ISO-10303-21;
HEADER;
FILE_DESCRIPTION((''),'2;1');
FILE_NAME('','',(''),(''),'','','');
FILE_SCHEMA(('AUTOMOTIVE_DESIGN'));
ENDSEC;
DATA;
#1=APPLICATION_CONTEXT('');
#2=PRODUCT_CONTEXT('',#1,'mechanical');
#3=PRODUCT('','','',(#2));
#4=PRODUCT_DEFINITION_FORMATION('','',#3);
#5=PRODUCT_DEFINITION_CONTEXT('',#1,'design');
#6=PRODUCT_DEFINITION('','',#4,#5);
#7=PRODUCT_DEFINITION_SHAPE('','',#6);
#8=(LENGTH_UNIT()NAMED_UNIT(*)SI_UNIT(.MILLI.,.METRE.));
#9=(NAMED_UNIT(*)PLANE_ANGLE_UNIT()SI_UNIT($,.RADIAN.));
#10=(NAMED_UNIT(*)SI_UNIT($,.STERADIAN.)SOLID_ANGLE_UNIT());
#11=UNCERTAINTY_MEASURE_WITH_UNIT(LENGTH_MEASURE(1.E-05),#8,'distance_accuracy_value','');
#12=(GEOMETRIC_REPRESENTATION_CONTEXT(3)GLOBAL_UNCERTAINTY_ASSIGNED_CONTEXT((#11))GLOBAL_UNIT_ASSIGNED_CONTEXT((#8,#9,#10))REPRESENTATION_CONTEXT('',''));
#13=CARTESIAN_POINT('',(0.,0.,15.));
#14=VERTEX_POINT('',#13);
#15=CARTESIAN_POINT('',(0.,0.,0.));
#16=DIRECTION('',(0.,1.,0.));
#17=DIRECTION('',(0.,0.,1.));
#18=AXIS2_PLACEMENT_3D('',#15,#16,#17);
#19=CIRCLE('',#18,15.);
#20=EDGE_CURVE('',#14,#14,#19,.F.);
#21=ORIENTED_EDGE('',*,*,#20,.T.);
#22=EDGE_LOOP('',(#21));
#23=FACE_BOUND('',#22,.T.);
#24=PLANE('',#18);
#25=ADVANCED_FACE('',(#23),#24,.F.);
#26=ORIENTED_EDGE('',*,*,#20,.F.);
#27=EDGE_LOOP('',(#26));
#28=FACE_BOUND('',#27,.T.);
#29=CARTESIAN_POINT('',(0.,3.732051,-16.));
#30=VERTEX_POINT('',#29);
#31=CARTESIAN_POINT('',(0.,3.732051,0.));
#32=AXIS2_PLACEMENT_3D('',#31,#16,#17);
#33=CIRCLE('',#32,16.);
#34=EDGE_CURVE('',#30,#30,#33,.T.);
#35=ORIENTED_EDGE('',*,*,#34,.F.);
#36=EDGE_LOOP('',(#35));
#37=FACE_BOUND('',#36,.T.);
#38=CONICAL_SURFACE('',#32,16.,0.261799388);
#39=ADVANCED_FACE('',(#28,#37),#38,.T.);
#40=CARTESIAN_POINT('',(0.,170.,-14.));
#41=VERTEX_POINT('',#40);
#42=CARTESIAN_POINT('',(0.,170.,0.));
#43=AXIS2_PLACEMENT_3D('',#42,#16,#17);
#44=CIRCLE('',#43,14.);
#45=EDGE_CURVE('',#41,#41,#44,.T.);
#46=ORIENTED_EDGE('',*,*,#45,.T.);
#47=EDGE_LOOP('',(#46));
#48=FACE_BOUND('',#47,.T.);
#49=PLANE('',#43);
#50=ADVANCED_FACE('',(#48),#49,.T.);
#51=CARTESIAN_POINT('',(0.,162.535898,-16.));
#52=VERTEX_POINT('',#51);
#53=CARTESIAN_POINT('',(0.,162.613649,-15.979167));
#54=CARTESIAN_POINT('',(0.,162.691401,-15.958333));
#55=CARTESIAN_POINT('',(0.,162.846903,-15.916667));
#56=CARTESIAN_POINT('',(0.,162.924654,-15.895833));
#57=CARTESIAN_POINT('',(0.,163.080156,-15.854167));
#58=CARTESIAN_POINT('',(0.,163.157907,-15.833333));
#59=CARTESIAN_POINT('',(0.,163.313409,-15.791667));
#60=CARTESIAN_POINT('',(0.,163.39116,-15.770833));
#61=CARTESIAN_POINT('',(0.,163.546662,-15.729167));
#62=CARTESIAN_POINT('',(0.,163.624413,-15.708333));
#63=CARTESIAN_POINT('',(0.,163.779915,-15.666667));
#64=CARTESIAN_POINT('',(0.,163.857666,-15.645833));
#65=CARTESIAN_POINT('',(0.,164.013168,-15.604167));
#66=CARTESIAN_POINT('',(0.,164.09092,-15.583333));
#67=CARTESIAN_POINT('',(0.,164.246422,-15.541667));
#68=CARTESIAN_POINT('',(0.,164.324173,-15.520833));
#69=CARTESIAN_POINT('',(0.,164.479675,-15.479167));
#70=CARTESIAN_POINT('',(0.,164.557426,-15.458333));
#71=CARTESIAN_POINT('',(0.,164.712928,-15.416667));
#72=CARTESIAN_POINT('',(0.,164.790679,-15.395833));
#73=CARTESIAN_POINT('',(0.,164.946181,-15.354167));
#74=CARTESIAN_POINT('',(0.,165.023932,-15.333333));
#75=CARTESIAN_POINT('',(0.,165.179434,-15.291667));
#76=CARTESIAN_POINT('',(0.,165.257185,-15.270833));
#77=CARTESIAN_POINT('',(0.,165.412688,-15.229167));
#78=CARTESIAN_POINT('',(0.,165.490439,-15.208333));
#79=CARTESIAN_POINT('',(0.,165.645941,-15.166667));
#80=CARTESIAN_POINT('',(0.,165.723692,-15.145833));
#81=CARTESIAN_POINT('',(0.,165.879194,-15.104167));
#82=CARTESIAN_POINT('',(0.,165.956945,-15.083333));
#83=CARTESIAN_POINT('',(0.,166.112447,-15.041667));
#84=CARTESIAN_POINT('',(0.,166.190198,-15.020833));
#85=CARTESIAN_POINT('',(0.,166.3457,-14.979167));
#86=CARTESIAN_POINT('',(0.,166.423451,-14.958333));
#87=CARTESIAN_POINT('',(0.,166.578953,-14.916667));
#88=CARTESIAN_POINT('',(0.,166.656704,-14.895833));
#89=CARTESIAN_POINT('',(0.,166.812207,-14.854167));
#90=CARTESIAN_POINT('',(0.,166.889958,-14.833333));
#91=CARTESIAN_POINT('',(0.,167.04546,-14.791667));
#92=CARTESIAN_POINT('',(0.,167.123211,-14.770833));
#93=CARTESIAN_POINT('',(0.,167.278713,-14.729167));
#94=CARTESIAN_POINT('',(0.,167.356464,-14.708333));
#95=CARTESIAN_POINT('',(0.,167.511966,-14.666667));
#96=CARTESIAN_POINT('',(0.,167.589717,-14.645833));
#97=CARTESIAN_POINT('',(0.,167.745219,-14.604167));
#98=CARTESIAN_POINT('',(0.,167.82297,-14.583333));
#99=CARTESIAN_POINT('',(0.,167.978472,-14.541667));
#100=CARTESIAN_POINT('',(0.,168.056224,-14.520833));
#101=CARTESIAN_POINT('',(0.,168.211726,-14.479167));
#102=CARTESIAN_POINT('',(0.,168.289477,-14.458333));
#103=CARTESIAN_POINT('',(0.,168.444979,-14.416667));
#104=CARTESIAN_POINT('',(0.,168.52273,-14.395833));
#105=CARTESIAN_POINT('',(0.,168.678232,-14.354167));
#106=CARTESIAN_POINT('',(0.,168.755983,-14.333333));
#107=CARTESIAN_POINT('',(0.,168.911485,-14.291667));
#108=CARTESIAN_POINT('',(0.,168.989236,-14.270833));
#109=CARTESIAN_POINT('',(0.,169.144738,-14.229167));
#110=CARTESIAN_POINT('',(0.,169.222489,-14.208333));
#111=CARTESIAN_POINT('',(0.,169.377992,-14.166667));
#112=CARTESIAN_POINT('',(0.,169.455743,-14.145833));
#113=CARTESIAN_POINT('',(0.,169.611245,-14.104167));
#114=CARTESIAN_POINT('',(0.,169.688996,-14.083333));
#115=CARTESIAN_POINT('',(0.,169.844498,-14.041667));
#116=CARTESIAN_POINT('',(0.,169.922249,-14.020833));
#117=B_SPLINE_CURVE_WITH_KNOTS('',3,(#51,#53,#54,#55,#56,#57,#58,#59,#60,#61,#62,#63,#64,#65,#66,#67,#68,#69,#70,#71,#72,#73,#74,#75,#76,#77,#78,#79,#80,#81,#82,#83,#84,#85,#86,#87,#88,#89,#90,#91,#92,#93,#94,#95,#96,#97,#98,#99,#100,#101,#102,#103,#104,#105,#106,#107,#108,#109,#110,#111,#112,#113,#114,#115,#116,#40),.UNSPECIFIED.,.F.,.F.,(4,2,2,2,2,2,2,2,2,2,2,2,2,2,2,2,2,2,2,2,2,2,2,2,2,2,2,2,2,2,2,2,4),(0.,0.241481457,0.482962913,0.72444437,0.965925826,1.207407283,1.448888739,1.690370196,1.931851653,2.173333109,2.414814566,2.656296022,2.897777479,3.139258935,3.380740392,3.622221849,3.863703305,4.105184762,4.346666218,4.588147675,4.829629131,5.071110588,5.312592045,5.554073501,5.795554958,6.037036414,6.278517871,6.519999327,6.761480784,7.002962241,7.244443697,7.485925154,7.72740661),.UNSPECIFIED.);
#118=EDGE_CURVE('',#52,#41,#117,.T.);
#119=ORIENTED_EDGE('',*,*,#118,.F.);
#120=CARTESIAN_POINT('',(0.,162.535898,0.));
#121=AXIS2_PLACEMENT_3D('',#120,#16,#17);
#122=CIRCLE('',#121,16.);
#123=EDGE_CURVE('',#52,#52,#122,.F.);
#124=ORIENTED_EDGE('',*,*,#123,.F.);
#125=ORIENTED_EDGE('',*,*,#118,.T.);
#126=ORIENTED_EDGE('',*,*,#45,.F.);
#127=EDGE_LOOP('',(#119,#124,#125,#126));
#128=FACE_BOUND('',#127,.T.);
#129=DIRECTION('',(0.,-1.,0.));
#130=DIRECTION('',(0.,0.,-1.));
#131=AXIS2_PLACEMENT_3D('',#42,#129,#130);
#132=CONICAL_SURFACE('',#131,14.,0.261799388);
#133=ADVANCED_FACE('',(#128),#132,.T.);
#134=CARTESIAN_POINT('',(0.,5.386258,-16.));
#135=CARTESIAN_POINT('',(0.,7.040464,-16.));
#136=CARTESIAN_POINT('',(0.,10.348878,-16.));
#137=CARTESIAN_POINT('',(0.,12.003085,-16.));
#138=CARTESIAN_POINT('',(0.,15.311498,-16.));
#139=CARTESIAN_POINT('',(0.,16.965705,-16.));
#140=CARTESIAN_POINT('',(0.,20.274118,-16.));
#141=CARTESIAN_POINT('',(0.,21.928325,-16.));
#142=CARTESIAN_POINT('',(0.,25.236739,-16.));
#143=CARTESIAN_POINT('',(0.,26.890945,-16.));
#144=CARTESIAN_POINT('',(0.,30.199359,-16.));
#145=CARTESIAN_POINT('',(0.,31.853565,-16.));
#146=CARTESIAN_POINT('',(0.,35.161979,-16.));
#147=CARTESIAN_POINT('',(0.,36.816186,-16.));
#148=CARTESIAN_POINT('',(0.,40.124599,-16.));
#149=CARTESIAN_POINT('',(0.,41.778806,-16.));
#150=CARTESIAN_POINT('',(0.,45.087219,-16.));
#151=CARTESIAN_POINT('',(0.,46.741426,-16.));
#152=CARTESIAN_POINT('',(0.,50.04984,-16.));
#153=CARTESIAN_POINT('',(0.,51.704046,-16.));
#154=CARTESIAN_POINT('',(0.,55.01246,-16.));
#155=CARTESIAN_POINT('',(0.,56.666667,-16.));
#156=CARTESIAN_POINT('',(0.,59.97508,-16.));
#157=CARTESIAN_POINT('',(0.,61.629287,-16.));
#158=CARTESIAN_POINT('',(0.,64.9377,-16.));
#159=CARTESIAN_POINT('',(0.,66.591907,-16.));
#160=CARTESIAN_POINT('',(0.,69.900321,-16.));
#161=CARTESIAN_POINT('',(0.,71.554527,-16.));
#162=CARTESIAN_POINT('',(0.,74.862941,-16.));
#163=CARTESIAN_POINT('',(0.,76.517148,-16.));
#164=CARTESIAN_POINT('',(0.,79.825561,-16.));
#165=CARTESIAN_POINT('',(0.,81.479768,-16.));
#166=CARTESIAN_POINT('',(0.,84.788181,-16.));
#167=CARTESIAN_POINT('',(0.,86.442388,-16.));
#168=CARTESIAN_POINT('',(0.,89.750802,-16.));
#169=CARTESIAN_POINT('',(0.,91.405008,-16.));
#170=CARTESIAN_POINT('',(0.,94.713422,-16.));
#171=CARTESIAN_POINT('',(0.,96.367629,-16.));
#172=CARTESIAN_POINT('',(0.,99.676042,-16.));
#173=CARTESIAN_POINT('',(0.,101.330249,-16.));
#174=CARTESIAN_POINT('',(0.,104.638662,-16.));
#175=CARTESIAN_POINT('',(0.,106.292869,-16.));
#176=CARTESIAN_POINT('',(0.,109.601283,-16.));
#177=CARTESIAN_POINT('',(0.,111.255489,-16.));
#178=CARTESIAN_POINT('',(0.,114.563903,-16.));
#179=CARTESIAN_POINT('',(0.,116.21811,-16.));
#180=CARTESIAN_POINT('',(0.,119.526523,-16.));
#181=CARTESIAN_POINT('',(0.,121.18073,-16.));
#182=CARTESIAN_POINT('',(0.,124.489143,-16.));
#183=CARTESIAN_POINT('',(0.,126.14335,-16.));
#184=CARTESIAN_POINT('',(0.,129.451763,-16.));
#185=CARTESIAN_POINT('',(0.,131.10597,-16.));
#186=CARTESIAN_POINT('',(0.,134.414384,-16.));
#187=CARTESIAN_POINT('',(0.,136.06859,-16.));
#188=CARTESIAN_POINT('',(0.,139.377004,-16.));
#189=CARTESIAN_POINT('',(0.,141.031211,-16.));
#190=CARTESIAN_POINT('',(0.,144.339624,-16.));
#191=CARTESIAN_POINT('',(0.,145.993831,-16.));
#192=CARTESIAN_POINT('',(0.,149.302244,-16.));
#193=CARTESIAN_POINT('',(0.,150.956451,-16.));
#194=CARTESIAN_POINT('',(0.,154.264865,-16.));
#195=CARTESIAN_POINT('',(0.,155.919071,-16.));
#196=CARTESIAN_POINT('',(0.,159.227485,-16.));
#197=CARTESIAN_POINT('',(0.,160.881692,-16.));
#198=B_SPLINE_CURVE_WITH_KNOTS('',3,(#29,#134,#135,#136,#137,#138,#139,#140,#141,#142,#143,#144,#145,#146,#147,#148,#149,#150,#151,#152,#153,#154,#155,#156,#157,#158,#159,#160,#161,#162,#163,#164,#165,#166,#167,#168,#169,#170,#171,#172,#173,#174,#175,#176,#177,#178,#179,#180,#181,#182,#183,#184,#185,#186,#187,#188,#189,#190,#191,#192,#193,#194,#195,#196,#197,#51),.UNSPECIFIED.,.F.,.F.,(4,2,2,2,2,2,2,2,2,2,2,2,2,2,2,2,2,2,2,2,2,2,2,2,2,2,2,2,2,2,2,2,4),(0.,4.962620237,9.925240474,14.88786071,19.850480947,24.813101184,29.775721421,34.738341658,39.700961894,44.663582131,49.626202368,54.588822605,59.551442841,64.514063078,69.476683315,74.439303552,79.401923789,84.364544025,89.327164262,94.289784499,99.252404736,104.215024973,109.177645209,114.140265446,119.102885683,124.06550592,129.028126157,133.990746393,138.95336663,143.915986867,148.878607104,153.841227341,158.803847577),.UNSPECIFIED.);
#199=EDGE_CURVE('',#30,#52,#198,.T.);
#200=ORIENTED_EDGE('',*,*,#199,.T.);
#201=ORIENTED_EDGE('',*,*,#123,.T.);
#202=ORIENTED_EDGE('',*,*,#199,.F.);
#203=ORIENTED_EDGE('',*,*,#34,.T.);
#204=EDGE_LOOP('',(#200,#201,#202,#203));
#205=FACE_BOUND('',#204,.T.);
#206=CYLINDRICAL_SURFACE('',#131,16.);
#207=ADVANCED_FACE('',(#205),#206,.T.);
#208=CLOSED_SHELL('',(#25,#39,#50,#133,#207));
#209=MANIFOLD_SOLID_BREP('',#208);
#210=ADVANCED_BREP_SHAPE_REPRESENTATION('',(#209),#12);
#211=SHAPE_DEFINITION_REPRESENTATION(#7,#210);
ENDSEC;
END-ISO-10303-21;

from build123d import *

# Parameters (mm, degrees)
SKETCH1_R           = 16
BOSS_EXTRUDE1_DEPTH = 170
CHAMFER1_SIZE       = 2
CHAMFER1_SIZE2      = 7.464101615
CHAMFER2_SIZE       = 1
CHAMFER2_SIZE2      = 3.732050808


with BuildPart() as part:
    # Sketch1 → Boss-Extrude1 (new body)
    with BuildSketch(Plane(origin=(0, 0, 0), x_dir=(1, 0, 0), z_dir=(0, 1, 0))):
        with Locations(Location((0, 0, 0), (0, 0, 270))):
            Circle(SKETCH1_R)
    extrude(amount=BOSS_EXTRUDE1_DEPTH)

    # Chamfer1
    chamfer1_edges = [part.edges().sort_by_distance(p)[0] for p in [
        (0, 170, -16),
    ]]
    chamfer1_side = [part.faces().sort_by_distance(p)[0] for p in [
        (0, 170, 0),
    ]]
    chamfer(chamfer1_edges, length=CHAMFER1_SIZE, length2=CHAMFER1_SIZE2, reference=chamfer1_side[0])

    # Chamfer2
    chamfer2_edges = [part.edges().sort_by_distance(p)[0] for p in [
        (0, 0, -16),
    ]]
    chamfer2_side = [part.faces().sort_by_distance(p)[0] for p in [
        (0, 0, 0),
    ]]
    chamfer(chamfer2_edges, length=CHAMFER2_SIZE, length2=CHAMFER2_SIZE2, reference=chamfer2_side[0])


solid = part.part
